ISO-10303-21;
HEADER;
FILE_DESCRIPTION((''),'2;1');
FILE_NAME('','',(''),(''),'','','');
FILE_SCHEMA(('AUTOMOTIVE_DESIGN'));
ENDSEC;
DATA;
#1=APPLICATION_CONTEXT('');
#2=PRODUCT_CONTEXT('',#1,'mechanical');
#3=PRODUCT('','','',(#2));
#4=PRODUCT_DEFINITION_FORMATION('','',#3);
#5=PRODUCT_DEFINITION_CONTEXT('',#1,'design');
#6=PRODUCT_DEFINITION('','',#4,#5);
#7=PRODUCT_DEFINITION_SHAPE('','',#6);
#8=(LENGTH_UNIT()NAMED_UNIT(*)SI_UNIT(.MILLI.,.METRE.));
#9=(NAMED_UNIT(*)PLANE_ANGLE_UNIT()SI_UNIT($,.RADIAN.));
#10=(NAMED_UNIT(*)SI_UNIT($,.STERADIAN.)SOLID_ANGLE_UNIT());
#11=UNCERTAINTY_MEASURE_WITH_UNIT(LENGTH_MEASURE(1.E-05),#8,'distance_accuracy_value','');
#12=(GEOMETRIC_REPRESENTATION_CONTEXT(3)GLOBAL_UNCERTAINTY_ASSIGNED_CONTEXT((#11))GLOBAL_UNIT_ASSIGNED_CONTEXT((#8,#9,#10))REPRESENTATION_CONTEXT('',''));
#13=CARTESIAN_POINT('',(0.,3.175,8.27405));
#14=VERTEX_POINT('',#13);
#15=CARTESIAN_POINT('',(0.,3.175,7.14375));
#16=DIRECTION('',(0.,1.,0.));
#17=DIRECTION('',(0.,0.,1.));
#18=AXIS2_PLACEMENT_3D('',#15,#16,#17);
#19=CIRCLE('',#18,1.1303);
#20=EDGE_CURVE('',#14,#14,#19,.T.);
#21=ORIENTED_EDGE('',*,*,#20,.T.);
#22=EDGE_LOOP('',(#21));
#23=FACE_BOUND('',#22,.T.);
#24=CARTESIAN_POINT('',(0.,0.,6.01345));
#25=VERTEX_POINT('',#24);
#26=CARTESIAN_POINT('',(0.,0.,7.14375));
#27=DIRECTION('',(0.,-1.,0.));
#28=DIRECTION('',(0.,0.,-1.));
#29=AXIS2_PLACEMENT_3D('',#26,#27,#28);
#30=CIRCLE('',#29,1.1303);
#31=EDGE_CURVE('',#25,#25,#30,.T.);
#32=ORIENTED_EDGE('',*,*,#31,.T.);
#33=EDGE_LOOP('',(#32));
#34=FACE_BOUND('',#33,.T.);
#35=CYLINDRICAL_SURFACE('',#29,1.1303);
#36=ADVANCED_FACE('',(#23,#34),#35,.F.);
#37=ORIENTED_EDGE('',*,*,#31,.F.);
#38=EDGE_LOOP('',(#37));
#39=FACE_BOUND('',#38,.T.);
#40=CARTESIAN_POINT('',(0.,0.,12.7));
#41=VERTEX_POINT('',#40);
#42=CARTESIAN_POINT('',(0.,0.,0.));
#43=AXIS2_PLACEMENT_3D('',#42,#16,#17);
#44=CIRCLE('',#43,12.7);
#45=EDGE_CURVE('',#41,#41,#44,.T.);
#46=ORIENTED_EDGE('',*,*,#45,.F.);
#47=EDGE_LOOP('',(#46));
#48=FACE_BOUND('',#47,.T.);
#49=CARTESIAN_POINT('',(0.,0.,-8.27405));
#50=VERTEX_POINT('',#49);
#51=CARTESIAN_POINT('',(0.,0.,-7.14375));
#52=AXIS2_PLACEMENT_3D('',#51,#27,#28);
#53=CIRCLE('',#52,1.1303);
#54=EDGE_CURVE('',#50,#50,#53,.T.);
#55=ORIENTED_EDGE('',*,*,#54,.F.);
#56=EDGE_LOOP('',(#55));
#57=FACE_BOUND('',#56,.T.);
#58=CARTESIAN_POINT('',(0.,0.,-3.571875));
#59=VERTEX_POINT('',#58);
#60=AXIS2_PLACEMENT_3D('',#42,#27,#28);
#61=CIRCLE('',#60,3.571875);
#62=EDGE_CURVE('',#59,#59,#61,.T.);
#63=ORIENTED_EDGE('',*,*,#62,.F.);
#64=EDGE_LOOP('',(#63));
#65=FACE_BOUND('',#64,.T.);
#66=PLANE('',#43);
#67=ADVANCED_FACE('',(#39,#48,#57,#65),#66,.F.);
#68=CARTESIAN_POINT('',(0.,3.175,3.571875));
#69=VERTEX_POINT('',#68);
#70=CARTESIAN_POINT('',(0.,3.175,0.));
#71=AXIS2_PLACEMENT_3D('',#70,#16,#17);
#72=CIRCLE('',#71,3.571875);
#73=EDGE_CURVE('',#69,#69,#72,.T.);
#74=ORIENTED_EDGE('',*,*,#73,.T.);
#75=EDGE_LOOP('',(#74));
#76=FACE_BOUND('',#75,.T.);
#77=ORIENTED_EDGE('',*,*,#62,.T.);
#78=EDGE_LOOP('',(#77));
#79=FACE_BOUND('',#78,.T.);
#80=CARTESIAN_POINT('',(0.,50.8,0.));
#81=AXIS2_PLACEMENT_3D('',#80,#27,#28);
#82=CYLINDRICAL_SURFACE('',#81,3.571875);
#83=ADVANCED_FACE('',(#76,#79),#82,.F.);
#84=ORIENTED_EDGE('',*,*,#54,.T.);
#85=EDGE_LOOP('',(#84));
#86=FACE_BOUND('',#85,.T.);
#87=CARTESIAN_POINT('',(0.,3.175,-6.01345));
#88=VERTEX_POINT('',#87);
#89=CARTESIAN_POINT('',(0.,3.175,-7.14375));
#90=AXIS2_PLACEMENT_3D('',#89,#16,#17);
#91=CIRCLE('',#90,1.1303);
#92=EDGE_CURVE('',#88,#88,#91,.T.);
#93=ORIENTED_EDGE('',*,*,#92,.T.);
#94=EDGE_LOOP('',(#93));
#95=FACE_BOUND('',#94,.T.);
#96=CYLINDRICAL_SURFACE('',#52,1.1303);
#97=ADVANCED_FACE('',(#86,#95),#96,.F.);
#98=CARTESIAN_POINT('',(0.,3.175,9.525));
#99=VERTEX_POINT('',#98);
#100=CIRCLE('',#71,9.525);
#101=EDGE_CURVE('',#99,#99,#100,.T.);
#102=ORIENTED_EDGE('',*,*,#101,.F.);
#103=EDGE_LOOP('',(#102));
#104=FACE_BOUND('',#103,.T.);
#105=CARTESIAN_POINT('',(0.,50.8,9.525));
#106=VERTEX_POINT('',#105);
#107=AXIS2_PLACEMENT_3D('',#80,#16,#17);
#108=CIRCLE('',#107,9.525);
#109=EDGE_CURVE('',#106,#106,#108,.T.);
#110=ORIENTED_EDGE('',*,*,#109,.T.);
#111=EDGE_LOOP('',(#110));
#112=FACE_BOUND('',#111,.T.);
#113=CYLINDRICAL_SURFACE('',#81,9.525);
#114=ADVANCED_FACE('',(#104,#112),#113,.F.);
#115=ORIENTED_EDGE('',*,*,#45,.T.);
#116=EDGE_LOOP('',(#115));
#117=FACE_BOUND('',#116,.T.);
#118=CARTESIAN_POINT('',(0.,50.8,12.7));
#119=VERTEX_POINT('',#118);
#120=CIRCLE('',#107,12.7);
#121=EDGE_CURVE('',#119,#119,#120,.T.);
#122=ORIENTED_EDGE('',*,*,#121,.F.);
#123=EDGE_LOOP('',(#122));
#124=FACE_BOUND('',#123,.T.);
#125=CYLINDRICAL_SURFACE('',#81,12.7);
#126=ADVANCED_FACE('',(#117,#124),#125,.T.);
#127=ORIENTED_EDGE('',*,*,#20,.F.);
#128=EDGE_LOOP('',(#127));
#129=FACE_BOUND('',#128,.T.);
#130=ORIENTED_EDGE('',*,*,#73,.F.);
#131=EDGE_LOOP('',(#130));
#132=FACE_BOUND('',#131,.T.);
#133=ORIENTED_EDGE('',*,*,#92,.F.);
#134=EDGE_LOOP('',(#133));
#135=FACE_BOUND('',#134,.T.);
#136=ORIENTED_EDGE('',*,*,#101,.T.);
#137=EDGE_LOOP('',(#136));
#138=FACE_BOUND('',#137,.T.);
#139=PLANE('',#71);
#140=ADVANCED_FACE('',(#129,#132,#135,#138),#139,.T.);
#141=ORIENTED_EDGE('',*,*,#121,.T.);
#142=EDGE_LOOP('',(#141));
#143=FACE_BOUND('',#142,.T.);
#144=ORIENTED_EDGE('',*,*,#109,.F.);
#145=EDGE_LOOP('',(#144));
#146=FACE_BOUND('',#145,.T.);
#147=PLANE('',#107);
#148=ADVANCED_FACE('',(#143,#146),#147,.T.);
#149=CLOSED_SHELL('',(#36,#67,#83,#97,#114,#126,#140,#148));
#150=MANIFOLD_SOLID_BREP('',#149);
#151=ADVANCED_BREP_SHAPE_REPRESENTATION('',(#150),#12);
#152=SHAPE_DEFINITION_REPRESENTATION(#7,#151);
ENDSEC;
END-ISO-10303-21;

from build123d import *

# Parameters (mm, degrees)
SKETCH1_R             = 12.7
EXTRUDE1_DEPTH        = 50.8
SHELL1_T              = -3.175
F_4_40_TAPPED_HOLE1_D = 2.2606
F_4_40_TAPPED_HOLE2_D = 2.2606
SKETCH8_R             = 3.571875
CUT_EXTRUDE1_DEPTH    = 54.881536726


with BuildPart() as part:
    # Sketch1 → Extrude1 (new body)
    with BuildSketch(Plane(origin=(0, 0, 0), x_dir=(1, 0, 0), z_dir=(0, 1, 0))):
        with Locations(Location((0, 0, 0), (0, 0, 270))):
            Circle(SKETCH1_R)
    extrude(amount=EXTRUDE1_DEPTH)

    # Shell1
    shell1_openings = [part.faces().sort_by_distance(p)[0] for p in [
        (0, 50.8, 0),
    ]]
    offset(amount=SHELL1_T, openings=shell1_openings, kind=Kind.INTERSECTION)

    # #4-40 Tapped Hole1 (through all)
    with Locations(Plane(origin=(0, 0, 7.14375), x_dir=(0, 0, -1), z_dir=(0, -1, 0))):
        with Locations((0, 0)):
            Hole(F_4_40_TAPPED_HOLE1_D / 2)

    # #4-40 Tapped Hole2 (through all)
    with Locations(Plane(origin=(0, 0, -7.14375), x_dir=(0, 0, -1), z_dir=(0, -1, 0))):
        with Locations((0, 0)):
            Hole(F_4_40_TAPPED_HOLE2_D / 2)

    # Sketch8 → Cut-Extrude1 (cut, through all)
    with BuildSketch(Plane.XZ):
        with Locations(Location((0, 0, 0), (0, 0, 270))):
            Circle(SKETCH8_R)
    extrude(amount=-CUT_EXTRUDE1_DEPTH, mode=Mode.SUBTRACT)


solid = part.part
